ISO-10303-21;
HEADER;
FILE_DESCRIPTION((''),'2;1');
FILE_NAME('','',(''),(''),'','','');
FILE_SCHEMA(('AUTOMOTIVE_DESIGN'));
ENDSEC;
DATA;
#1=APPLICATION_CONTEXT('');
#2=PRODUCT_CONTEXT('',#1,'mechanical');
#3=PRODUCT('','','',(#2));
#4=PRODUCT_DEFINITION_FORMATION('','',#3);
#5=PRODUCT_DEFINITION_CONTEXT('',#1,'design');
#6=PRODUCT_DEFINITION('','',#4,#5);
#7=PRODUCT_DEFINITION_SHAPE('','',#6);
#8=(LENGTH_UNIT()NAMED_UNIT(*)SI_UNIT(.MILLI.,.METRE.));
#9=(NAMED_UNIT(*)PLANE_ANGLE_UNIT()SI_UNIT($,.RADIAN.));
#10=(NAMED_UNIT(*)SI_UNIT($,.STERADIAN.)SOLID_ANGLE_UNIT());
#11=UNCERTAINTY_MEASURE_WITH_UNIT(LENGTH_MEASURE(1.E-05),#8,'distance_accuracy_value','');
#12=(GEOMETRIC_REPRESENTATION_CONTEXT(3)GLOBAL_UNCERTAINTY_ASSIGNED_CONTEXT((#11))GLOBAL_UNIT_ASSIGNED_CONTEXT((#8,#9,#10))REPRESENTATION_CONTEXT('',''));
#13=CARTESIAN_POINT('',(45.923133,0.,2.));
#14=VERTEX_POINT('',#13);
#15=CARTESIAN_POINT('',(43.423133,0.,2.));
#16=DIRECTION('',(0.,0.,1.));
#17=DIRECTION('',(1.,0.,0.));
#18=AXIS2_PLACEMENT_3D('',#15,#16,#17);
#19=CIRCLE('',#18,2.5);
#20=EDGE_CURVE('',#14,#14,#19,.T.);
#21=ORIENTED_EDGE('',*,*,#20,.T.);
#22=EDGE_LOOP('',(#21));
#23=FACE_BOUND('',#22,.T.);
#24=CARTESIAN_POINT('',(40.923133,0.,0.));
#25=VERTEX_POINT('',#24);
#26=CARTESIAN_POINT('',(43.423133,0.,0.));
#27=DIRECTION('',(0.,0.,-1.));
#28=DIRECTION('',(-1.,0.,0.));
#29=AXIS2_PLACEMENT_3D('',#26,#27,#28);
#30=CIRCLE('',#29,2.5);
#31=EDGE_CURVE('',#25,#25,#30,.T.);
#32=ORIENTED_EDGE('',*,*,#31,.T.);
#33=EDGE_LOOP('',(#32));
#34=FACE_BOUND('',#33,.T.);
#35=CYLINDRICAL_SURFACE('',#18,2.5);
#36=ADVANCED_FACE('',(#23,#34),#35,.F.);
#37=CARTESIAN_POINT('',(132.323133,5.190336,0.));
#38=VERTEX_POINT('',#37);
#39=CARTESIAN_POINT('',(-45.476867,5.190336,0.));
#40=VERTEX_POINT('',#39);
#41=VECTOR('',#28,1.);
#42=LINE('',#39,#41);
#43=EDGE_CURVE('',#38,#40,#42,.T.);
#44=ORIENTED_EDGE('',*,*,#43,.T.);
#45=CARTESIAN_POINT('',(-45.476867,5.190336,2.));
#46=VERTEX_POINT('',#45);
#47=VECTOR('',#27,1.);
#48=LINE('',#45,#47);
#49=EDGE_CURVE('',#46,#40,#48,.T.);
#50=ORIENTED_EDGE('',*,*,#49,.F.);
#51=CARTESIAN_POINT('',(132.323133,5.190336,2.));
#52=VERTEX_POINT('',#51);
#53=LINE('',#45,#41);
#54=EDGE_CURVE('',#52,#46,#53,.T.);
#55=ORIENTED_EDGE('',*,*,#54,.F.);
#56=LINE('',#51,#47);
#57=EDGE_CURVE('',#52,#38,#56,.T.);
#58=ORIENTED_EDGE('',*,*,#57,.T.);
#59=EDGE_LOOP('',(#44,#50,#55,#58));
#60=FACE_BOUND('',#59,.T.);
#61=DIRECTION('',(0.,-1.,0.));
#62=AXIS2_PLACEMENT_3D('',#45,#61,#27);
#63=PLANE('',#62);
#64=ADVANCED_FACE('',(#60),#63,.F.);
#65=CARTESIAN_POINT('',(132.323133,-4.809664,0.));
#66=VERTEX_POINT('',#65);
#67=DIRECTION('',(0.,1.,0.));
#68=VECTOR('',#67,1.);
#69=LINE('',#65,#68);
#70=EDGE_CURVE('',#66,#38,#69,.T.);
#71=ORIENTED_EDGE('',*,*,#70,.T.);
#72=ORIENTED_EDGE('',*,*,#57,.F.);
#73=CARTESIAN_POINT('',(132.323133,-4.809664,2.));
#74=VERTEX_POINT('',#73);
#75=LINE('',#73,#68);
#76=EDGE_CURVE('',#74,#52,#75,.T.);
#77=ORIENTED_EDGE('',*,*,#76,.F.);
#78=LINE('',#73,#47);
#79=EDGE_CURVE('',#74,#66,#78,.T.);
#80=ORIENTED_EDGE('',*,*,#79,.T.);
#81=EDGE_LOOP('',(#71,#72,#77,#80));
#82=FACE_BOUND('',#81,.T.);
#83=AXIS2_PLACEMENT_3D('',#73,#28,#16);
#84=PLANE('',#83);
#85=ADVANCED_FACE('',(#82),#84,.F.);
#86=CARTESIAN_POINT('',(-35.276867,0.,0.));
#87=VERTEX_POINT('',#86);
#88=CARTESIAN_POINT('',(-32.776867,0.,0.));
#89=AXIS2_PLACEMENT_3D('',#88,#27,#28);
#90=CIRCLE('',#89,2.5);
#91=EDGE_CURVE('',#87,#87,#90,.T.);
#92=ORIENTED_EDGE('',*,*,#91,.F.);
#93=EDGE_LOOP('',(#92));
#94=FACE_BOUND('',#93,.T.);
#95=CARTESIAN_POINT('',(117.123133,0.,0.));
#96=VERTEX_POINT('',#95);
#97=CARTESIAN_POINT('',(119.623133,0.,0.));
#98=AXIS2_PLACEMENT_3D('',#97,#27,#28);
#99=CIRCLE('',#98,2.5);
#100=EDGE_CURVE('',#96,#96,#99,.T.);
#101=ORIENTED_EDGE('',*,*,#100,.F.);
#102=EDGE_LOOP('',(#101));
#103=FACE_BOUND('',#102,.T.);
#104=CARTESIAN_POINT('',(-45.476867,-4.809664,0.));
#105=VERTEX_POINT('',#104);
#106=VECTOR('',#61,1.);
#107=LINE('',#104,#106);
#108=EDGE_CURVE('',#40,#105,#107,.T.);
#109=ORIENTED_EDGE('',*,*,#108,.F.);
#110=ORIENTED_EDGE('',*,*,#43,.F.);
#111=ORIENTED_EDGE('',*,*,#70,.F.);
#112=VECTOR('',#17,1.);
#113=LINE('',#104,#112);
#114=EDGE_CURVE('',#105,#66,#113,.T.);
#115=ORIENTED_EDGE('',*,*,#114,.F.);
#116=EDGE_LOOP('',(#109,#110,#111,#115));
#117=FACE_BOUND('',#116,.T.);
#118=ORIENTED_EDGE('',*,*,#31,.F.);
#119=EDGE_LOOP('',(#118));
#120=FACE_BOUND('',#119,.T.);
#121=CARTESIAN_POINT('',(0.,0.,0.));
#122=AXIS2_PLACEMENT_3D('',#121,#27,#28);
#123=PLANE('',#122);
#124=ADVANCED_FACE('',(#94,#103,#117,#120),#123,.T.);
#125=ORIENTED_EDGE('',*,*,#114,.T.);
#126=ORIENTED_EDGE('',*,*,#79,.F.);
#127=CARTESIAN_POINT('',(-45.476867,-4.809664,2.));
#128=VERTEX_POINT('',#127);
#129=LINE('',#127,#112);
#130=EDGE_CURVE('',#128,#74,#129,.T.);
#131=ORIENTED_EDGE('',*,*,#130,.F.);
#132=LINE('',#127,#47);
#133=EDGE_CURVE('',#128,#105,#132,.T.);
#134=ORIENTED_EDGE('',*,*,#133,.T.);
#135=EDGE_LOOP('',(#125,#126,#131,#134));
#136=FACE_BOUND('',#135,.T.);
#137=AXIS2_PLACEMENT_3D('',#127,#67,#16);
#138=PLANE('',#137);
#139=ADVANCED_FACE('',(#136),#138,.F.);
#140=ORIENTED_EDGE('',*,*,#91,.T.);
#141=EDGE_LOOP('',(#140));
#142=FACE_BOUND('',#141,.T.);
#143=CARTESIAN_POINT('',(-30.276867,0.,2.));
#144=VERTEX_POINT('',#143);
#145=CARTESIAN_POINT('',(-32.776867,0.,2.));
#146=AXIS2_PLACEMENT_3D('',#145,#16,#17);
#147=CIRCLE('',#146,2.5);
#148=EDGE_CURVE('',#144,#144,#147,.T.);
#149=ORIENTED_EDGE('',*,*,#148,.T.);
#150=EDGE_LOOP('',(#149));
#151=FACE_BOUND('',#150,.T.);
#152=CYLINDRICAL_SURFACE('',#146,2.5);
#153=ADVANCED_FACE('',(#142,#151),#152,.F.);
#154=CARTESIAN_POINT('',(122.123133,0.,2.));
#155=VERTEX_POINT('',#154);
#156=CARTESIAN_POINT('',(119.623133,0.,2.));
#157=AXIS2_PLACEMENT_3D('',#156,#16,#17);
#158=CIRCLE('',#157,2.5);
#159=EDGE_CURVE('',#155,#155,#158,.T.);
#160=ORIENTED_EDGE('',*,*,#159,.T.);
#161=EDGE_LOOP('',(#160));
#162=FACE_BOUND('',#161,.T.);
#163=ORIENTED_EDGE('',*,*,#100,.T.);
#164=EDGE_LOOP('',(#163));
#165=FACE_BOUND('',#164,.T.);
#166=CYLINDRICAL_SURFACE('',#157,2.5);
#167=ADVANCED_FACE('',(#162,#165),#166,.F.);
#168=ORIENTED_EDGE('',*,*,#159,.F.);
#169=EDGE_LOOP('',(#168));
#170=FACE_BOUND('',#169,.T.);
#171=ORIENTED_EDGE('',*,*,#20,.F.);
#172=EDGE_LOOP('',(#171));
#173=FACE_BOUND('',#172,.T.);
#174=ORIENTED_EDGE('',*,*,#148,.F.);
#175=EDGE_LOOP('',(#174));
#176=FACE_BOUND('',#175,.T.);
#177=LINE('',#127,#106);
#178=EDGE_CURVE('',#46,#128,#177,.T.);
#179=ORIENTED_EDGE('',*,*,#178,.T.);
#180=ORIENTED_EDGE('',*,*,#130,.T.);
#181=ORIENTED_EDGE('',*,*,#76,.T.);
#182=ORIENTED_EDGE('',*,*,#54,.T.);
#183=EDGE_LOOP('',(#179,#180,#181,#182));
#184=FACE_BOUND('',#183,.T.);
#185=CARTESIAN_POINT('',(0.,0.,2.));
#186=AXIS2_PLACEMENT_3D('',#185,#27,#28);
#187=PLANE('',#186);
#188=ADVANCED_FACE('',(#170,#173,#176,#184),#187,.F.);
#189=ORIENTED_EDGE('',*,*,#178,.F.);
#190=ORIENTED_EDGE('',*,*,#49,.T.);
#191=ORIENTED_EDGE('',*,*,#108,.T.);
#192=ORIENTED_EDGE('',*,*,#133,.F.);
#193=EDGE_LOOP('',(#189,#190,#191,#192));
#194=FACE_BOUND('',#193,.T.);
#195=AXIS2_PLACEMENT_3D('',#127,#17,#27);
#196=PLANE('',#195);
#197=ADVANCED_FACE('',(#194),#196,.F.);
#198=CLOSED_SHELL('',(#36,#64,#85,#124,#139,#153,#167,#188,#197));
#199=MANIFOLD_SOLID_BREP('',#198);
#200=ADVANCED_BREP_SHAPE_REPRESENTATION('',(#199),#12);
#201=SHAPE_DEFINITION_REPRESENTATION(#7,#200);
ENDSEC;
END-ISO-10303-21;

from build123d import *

# Parameters (mm, degrees)
SKETCH1_W                    = 177.8
SKETCH1_H                    = 10
BOSS_EXTRUDE1_DEPTH          = 2
F_5_0_5_DIAMETER_HOLE1_D     = 5
F_5_0_5_DIAMETER_HOLE1_DEPTH = 5
F_5_0_5_DIAMETER_HOLE1_TIP   = 1.502151548


with BuildPart() as part:
    # Sketch1 → Boss-Extrude1 (new body)
    with BuildSketch(Plane.XY):
        with Locations((43.423133199, 0.190336281)):
            Rectangle(SKETCH1_W, SKETCH1_H)
    extrude(amount=BOSS_EXTRUDE1_DEPTH)

    # Ø5.0 (5) Diameter Hole1
    with Locations(Plane.XY.offset(2)):
        with Locations((-32.776866801, 0), (43.423133199, 0), (119.623133199, 0)):
            Hole(F_5_0_5_DIAMETER_HOLE1_D / 2, depth=F_5_0_5_DIAMETER_HOLE1_DEPTH)
            with Locations((0, 0, -(F_5_0_5_DIAMETER_HOLE1_DEPTH + F_5_0_5_DIAMETER_HOLE1_TIP / 2))):  # 118° drill point
                Cone(0, F_5_0_5_DIAMETER_HOLE1_D / 2, F_5_0_5_DIAMETER_HOLE1_TIP, mode=Mode.SUBTRACT)


solid = part.part
